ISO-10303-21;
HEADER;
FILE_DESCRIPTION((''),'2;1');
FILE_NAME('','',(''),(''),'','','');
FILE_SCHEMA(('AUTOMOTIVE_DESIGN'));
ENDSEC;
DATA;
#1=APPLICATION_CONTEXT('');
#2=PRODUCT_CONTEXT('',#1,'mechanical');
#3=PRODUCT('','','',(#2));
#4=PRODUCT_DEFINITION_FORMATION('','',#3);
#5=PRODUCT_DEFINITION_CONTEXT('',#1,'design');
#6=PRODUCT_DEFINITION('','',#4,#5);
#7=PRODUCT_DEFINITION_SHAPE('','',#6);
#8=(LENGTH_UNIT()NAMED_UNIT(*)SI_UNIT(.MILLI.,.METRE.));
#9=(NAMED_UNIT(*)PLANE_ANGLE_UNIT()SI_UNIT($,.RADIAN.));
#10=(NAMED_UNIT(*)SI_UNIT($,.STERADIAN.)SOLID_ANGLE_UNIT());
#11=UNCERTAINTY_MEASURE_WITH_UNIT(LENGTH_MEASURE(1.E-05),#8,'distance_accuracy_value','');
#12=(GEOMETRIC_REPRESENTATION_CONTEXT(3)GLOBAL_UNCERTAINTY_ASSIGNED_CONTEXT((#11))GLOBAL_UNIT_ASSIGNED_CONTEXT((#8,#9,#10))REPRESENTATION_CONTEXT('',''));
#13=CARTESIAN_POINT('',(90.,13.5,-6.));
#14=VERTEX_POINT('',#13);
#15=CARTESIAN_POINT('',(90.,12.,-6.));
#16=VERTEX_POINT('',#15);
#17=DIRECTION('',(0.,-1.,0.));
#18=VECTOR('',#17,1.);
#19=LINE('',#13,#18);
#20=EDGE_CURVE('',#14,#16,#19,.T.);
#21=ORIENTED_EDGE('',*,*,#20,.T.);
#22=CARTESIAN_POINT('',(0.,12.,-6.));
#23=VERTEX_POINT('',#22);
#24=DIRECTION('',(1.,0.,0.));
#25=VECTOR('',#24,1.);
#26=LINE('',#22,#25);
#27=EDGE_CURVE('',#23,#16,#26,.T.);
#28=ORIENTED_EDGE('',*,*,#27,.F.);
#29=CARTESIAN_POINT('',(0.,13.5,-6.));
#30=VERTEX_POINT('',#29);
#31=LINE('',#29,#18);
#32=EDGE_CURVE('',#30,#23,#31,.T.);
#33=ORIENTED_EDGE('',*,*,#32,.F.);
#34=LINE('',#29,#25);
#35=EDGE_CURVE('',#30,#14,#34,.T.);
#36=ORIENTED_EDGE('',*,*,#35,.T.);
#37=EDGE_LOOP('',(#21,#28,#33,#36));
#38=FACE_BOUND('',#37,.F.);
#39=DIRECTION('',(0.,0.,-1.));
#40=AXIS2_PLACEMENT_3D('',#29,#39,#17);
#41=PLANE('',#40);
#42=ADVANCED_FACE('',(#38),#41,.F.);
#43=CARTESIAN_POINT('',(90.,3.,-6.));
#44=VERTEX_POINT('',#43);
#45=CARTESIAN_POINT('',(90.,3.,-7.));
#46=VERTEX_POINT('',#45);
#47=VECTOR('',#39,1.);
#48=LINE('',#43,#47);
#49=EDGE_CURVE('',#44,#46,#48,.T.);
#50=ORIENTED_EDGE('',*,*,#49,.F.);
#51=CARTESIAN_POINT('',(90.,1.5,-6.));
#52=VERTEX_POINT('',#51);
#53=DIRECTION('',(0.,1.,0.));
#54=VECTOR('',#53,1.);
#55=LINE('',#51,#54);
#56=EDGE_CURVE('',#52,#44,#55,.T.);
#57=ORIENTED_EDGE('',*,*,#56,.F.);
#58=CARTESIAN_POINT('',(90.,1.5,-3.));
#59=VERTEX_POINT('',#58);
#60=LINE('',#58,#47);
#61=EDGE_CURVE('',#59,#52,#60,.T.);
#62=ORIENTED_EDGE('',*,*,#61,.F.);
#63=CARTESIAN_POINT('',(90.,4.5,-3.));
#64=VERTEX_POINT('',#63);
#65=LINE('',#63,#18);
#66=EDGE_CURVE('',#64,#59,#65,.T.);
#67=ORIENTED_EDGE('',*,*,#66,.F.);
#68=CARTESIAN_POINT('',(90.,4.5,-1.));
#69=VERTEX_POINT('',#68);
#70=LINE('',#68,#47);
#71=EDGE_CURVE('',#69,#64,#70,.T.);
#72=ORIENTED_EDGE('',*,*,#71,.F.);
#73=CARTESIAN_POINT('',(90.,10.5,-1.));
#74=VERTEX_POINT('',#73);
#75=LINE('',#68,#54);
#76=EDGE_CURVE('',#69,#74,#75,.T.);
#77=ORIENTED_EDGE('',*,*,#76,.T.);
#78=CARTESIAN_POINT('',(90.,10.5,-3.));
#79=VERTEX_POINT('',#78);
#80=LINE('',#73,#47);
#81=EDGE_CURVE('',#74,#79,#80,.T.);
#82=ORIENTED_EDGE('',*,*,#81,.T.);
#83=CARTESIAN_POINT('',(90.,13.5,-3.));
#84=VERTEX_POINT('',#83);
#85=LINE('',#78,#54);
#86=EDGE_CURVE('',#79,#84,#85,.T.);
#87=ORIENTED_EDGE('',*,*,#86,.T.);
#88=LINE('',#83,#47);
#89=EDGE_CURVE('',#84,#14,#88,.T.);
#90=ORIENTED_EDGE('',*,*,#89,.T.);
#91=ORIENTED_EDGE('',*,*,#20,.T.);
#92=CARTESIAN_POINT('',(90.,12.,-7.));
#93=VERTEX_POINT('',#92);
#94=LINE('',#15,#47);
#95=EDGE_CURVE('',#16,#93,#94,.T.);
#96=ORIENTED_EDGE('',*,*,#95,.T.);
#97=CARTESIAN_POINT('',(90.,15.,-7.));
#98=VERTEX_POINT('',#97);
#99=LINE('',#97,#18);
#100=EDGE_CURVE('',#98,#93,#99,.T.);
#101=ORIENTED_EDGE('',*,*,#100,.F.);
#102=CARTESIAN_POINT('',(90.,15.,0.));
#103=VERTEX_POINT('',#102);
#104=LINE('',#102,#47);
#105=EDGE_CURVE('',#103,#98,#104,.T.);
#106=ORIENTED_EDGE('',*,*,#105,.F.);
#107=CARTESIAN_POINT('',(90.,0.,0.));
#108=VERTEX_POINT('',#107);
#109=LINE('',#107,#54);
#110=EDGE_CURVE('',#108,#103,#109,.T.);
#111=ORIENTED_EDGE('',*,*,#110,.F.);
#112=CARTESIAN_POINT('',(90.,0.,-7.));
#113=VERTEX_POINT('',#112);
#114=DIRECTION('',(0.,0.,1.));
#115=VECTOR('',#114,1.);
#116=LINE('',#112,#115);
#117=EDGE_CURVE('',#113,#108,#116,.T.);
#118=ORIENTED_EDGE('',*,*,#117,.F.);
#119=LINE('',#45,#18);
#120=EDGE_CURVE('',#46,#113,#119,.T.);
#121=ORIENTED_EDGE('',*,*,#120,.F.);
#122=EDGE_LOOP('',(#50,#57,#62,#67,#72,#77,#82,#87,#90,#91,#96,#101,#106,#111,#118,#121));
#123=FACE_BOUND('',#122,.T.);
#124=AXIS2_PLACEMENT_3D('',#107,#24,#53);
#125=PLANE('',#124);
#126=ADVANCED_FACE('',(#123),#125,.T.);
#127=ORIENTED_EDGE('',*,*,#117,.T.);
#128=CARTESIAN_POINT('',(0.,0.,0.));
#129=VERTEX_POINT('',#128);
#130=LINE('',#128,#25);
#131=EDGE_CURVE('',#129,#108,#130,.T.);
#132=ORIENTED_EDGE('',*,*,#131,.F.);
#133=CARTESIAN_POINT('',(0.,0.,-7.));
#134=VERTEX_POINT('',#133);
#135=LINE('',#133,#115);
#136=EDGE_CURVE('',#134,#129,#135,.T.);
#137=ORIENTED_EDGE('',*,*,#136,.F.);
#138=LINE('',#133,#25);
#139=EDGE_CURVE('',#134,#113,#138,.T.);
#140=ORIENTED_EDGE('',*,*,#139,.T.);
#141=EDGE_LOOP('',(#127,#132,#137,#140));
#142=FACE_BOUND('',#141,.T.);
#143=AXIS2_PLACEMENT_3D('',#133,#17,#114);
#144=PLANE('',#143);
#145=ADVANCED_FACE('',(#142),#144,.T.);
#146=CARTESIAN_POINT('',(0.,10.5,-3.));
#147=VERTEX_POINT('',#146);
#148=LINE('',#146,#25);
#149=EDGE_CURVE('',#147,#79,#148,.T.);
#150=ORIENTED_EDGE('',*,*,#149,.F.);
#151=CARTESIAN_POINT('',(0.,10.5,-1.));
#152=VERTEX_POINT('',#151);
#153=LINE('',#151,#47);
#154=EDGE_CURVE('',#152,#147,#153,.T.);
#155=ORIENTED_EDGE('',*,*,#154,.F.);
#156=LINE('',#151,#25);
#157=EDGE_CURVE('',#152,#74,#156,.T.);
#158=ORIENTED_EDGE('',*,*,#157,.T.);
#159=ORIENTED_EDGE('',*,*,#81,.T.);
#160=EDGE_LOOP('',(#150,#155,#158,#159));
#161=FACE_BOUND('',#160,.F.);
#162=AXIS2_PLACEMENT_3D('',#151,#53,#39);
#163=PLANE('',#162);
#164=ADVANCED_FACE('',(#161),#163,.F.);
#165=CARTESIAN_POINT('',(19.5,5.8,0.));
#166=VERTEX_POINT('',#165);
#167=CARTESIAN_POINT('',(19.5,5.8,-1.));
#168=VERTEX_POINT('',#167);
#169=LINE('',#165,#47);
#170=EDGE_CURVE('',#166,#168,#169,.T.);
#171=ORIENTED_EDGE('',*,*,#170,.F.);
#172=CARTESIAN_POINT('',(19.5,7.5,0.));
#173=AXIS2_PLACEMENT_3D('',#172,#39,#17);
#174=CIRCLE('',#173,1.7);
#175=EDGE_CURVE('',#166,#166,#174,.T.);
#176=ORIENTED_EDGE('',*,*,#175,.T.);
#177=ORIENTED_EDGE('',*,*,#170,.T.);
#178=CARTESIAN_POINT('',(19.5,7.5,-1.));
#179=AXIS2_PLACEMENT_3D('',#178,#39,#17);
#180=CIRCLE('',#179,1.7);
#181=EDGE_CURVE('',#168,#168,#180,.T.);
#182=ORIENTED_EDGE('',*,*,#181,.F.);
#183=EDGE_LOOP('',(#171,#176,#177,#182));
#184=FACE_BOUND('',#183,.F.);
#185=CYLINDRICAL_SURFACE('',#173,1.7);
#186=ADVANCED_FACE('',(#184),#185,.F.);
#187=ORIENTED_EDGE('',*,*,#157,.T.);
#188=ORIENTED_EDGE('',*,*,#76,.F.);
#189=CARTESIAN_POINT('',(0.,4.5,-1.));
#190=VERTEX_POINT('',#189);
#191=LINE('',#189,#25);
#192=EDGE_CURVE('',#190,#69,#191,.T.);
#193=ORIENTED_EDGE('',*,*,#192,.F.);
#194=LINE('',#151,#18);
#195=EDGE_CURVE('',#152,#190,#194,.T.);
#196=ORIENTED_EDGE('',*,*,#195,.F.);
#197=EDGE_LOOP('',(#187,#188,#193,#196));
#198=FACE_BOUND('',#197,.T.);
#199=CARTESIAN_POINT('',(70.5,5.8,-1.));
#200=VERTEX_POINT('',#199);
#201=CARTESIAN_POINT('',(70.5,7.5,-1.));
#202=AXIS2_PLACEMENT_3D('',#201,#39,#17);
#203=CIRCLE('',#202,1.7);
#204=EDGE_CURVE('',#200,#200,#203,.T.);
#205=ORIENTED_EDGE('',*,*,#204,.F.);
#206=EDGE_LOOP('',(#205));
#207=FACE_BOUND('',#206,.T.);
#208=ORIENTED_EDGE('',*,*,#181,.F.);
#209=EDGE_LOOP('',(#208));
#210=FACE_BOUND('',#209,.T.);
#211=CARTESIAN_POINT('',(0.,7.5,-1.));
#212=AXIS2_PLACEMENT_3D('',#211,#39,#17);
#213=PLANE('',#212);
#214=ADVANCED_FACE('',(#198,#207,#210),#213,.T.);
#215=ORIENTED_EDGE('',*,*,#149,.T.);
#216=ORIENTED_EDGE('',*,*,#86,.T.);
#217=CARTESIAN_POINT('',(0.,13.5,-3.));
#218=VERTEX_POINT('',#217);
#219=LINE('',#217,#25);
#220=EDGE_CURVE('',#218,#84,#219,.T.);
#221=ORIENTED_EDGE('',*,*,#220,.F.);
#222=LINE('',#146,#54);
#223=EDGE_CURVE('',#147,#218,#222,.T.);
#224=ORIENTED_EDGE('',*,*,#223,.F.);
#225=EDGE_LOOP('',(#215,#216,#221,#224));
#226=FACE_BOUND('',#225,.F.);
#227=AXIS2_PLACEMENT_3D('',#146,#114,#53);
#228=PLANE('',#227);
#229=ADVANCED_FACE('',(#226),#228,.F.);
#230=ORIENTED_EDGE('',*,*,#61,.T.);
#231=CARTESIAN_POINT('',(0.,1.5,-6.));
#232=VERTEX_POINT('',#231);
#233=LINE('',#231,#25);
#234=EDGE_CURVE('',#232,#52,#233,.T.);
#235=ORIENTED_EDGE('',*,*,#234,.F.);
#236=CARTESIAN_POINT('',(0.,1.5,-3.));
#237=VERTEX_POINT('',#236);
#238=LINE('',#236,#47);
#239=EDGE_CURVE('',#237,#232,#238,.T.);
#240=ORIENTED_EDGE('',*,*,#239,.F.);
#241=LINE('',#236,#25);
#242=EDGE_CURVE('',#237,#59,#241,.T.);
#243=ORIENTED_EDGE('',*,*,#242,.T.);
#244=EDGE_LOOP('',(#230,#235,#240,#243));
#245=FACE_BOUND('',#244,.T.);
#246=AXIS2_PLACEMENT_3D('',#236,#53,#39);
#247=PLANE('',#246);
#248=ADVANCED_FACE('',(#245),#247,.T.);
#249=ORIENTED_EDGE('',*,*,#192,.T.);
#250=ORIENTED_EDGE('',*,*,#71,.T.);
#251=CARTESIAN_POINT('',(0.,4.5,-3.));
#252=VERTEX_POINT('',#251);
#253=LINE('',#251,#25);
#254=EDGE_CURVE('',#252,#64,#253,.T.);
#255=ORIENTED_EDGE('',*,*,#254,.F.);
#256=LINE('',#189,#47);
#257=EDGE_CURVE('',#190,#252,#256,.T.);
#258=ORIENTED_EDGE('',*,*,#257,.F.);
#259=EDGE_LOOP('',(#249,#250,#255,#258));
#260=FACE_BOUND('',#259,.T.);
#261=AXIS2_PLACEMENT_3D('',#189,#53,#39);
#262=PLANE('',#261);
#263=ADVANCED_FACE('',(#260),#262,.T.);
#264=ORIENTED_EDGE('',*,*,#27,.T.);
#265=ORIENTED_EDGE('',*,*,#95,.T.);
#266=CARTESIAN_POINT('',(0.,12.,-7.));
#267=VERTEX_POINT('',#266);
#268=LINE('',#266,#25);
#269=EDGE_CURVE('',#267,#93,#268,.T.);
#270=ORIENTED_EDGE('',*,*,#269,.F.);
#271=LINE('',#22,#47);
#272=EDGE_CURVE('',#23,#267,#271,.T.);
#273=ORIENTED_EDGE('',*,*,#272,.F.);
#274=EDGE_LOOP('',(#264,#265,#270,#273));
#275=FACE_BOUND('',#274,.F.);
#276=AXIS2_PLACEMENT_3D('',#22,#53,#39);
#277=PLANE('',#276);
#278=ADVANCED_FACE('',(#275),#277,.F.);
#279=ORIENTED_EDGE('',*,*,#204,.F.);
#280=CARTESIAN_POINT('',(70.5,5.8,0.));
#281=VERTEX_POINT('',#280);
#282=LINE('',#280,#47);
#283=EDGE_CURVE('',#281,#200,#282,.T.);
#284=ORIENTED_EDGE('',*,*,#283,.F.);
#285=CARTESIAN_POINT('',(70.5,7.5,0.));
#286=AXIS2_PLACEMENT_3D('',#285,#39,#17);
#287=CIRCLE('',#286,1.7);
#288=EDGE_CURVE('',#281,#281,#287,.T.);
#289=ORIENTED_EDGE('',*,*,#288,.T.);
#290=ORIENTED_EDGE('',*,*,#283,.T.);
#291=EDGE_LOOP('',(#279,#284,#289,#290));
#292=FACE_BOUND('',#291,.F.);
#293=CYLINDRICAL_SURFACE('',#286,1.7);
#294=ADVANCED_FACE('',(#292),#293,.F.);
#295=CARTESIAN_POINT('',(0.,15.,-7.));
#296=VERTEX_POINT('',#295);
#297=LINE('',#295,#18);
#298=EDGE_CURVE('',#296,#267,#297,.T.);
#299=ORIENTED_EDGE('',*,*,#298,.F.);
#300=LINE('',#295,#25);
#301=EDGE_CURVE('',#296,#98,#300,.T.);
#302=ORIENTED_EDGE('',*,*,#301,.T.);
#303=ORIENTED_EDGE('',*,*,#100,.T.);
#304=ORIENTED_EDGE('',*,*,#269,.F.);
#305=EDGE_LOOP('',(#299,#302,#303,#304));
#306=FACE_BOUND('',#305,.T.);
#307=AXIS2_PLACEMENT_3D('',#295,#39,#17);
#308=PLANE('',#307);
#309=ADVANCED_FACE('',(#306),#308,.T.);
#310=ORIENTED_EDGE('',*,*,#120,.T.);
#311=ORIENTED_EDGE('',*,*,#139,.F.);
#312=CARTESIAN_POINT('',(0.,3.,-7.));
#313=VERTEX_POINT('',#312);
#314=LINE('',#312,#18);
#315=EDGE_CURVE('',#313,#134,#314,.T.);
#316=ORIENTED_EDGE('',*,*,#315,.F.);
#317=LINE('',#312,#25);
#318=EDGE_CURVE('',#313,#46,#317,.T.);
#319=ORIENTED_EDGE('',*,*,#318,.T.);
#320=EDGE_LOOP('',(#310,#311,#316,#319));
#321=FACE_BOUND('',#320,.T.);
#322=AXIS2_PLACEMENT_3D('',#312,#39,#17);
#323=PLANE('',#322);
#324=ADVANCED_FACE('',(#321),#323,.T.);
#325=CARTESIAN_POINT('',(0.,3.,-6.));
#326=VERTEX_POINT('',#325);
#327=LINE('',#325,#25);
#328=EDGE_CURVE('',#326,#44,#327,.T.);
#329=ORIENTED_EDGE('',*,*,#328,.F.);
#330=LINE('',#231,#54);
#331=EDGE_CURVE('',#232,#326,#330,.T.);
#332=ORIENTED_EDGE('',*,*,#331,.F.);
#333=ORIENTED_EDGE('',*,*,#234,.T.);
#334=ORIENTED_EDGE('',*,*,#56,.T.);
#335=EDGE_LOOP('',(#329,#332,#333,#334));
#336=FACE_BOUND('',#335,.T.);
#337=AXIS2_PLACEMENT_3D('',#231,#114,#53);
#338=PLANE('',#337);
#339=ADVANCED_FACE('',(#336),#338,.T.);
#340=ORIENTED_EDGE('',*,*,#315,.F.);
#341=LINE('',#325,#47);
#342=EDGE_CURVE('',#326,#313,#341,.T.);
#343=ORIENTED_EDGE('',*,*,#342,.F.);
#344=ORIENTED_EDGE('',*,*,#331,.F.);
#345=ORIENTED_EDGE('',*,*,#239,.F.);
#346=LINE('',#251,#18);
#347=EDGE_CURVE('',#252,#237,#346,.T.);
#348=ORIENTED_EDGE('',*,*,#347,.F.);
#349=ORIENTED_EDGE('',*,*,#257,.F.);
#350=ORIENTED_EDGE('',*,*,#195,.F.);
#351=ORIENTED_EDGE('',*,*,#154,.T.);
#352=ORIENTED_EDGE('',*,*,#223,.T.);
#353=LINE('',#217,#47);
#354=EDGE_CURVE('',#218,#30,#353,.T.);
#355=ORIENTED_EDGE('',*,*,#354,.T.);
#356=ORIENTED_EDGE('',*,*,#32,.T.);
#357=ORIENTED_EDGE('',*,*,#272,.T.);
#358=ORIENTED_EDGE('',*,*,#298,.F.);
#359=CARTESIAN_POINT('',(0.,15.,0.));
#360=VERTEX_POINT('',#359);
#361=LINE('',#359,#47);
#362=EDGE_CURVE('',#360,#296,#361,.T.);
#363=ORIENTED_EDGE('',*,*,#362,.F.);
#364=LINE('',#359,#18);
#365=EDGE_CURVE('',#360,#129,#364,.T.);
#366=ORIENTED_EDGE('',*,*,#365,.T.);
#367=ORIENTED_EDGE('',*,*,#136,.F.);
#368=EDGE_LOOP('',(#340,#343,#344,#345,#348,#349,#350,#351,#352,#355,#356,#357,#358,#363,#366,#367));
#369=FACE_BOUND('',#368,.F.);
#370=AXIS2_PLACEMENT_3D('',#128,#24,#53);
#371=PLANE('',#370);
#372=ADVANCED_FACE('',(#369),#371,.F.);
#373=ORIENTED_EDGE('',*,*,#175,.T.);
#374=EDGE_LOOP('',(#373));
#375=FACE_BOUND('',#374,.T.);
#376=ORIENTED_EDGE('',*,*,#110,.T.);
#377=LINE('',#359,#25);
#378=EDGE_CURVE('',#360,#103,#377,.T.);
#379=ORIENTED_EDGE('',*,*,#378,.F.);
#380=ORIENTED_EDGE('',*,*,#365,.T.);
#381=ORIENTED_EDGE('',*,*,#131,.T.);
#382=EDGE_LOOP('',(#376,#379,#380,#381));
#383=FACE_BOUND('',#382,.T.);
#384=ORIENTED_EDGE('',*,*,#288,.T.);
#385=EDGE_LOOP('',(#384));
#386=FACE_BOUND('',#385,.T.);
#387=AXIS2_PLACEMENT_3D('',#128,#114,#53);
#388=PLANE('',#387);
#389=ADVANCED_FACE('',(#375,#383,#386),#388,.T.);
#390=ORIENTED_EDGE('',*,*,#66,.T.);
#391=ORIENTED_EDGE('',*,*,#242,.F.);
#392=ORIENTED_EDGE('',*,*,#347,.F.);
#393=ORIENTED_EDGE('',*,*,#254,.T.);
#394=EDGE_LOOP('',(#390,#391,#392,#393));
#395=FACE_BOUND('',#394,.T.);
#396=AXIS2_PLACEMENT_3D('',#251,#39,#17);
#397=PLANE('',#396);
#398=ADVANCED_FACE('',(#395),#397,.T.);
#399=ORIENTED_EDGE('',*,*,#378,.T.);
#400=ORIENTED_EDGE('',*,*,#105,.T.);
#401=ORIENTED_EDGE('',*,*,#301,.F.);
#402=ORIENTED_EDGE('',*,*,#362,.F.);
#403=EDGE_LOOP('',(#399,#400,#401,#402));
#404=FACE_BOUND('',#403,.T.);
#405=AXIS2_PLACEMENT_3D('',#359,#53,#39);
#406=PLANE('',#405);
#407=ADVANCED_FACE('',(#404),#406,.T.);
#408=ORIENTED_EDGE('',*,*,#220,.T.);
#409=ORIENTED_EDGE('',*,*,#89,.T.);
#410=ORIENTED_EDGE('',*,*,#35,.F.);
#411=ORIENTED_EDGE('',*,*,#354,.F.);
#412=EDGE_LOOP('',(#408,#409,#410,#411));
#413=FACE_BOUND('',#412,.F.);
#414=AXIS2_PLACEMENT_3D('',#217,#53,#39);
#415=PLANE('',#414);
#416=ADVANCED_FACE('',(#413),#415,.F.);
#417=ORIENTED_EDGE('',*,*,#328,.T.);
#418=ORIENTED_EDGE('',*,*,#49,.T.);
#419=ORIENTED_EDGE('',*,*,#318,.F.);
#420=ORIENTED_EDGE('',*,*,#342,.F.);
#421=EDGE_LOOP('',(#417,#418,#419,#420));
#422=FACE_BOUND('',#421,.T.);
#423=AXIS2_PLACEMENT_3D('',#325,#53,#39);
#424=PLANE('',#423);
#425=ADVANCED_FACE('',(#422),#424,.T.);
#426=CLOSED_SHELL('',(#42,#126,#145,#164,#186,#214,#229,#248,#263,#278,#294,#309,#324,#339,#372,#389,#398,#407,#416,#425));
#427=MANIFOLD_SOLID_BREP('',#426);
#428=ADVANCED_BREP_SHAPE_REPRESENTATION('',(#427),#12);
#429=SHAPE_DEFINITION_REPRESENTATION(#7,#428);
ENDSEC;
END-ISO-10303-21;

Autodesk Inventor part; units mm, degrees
ref_plane "YZ Plane" through (0, 0, 0) normal (1, 0, 0) x (0, 1, 0)
ref_plane "XZ Plane" through (0, 0, 0) normal (0, 1, 0) x (-1, 0, 0)
ref_plane "XY Plane" through (0, 0, 0) normal (0, 0, 1) x (1, 0, 0)
sketch "スケッチ1" plane through (0, 0, 0) normal (1, 0, 0) x (0, 1, 0)
  line L0 (0, 0) -> (15, 0)
  line L1 (15, 0) -> (15, -7)
  line L2 (0, -7) -> (0, 0)
  line L3 (7.5, 0) -> (7.5, -7)
  line L4 (7.5, -1) -> (10.5, -1)
  line L5 (10.5, -1) -> (10.5, -3)
  line L6 (10.5, -3) -> (13.5, -3)
  line L7 (13.5, -3) -> (13.5, -6)
  line L8 (13.5, -6) -> (12, -6)
  line L9 (12, -6) -> (12, -7)
  line L10 (7.5, -1) -> (4.5, -1)
  line L11 (4.5, -1) -> (4.5, -3)
  line L12 (4.5, -3) -> (1.5, -3)
  line L13 (1.5, -3) -> (1.5, -6)
  line L14 (1.5, -6) -> (3, -6)
  line L15 (3, -6) -> (3, -7)
  line L16 (15, -7) -> (12, -7)
  line L17 (3, -7) -> (0, -7)
  dimension "d0" = 15
  dimension "d1" = 7
  dimension "d2" = 3
  dimension "d3" = 2
  dimension "d5" = 3
  dimension "d6" = 3
  dimension "d7" = 1.5
  dimension "d9" = 1
extrude "押し出し1" add sketch "スケッチ1" along normal blind 90
sketch "スケッチ2" plane through (0, 0, 0) normal (0, 0, 1) x (1, 0, 0)
  line L0 (0, 4.5) -> (0, 10.5) projected
  line L1 (0, 7.5) -> (90, 7.5)
  line L2 (90, 4.5) -> (90, 10.5) projected
  line L3 (0, 15) -> (0, 0) projected
  line L4 (90, 15) -> (90, 0) projected
  point P0 (19.5, 7.5)
  point P1 (70.5, 7.5)
  dimension "d12" = 19.5
  dimension "d20" = 19.5
hole "穴1" at (19.5, 7.5, 0) at (70.5, 7.5, 0) direction (0, 0, -1) diameter 3.4 end through all
equation "\"d20\" = d12"
properties part number "slider2a2" material "アルミニウム 6061-AHC"
